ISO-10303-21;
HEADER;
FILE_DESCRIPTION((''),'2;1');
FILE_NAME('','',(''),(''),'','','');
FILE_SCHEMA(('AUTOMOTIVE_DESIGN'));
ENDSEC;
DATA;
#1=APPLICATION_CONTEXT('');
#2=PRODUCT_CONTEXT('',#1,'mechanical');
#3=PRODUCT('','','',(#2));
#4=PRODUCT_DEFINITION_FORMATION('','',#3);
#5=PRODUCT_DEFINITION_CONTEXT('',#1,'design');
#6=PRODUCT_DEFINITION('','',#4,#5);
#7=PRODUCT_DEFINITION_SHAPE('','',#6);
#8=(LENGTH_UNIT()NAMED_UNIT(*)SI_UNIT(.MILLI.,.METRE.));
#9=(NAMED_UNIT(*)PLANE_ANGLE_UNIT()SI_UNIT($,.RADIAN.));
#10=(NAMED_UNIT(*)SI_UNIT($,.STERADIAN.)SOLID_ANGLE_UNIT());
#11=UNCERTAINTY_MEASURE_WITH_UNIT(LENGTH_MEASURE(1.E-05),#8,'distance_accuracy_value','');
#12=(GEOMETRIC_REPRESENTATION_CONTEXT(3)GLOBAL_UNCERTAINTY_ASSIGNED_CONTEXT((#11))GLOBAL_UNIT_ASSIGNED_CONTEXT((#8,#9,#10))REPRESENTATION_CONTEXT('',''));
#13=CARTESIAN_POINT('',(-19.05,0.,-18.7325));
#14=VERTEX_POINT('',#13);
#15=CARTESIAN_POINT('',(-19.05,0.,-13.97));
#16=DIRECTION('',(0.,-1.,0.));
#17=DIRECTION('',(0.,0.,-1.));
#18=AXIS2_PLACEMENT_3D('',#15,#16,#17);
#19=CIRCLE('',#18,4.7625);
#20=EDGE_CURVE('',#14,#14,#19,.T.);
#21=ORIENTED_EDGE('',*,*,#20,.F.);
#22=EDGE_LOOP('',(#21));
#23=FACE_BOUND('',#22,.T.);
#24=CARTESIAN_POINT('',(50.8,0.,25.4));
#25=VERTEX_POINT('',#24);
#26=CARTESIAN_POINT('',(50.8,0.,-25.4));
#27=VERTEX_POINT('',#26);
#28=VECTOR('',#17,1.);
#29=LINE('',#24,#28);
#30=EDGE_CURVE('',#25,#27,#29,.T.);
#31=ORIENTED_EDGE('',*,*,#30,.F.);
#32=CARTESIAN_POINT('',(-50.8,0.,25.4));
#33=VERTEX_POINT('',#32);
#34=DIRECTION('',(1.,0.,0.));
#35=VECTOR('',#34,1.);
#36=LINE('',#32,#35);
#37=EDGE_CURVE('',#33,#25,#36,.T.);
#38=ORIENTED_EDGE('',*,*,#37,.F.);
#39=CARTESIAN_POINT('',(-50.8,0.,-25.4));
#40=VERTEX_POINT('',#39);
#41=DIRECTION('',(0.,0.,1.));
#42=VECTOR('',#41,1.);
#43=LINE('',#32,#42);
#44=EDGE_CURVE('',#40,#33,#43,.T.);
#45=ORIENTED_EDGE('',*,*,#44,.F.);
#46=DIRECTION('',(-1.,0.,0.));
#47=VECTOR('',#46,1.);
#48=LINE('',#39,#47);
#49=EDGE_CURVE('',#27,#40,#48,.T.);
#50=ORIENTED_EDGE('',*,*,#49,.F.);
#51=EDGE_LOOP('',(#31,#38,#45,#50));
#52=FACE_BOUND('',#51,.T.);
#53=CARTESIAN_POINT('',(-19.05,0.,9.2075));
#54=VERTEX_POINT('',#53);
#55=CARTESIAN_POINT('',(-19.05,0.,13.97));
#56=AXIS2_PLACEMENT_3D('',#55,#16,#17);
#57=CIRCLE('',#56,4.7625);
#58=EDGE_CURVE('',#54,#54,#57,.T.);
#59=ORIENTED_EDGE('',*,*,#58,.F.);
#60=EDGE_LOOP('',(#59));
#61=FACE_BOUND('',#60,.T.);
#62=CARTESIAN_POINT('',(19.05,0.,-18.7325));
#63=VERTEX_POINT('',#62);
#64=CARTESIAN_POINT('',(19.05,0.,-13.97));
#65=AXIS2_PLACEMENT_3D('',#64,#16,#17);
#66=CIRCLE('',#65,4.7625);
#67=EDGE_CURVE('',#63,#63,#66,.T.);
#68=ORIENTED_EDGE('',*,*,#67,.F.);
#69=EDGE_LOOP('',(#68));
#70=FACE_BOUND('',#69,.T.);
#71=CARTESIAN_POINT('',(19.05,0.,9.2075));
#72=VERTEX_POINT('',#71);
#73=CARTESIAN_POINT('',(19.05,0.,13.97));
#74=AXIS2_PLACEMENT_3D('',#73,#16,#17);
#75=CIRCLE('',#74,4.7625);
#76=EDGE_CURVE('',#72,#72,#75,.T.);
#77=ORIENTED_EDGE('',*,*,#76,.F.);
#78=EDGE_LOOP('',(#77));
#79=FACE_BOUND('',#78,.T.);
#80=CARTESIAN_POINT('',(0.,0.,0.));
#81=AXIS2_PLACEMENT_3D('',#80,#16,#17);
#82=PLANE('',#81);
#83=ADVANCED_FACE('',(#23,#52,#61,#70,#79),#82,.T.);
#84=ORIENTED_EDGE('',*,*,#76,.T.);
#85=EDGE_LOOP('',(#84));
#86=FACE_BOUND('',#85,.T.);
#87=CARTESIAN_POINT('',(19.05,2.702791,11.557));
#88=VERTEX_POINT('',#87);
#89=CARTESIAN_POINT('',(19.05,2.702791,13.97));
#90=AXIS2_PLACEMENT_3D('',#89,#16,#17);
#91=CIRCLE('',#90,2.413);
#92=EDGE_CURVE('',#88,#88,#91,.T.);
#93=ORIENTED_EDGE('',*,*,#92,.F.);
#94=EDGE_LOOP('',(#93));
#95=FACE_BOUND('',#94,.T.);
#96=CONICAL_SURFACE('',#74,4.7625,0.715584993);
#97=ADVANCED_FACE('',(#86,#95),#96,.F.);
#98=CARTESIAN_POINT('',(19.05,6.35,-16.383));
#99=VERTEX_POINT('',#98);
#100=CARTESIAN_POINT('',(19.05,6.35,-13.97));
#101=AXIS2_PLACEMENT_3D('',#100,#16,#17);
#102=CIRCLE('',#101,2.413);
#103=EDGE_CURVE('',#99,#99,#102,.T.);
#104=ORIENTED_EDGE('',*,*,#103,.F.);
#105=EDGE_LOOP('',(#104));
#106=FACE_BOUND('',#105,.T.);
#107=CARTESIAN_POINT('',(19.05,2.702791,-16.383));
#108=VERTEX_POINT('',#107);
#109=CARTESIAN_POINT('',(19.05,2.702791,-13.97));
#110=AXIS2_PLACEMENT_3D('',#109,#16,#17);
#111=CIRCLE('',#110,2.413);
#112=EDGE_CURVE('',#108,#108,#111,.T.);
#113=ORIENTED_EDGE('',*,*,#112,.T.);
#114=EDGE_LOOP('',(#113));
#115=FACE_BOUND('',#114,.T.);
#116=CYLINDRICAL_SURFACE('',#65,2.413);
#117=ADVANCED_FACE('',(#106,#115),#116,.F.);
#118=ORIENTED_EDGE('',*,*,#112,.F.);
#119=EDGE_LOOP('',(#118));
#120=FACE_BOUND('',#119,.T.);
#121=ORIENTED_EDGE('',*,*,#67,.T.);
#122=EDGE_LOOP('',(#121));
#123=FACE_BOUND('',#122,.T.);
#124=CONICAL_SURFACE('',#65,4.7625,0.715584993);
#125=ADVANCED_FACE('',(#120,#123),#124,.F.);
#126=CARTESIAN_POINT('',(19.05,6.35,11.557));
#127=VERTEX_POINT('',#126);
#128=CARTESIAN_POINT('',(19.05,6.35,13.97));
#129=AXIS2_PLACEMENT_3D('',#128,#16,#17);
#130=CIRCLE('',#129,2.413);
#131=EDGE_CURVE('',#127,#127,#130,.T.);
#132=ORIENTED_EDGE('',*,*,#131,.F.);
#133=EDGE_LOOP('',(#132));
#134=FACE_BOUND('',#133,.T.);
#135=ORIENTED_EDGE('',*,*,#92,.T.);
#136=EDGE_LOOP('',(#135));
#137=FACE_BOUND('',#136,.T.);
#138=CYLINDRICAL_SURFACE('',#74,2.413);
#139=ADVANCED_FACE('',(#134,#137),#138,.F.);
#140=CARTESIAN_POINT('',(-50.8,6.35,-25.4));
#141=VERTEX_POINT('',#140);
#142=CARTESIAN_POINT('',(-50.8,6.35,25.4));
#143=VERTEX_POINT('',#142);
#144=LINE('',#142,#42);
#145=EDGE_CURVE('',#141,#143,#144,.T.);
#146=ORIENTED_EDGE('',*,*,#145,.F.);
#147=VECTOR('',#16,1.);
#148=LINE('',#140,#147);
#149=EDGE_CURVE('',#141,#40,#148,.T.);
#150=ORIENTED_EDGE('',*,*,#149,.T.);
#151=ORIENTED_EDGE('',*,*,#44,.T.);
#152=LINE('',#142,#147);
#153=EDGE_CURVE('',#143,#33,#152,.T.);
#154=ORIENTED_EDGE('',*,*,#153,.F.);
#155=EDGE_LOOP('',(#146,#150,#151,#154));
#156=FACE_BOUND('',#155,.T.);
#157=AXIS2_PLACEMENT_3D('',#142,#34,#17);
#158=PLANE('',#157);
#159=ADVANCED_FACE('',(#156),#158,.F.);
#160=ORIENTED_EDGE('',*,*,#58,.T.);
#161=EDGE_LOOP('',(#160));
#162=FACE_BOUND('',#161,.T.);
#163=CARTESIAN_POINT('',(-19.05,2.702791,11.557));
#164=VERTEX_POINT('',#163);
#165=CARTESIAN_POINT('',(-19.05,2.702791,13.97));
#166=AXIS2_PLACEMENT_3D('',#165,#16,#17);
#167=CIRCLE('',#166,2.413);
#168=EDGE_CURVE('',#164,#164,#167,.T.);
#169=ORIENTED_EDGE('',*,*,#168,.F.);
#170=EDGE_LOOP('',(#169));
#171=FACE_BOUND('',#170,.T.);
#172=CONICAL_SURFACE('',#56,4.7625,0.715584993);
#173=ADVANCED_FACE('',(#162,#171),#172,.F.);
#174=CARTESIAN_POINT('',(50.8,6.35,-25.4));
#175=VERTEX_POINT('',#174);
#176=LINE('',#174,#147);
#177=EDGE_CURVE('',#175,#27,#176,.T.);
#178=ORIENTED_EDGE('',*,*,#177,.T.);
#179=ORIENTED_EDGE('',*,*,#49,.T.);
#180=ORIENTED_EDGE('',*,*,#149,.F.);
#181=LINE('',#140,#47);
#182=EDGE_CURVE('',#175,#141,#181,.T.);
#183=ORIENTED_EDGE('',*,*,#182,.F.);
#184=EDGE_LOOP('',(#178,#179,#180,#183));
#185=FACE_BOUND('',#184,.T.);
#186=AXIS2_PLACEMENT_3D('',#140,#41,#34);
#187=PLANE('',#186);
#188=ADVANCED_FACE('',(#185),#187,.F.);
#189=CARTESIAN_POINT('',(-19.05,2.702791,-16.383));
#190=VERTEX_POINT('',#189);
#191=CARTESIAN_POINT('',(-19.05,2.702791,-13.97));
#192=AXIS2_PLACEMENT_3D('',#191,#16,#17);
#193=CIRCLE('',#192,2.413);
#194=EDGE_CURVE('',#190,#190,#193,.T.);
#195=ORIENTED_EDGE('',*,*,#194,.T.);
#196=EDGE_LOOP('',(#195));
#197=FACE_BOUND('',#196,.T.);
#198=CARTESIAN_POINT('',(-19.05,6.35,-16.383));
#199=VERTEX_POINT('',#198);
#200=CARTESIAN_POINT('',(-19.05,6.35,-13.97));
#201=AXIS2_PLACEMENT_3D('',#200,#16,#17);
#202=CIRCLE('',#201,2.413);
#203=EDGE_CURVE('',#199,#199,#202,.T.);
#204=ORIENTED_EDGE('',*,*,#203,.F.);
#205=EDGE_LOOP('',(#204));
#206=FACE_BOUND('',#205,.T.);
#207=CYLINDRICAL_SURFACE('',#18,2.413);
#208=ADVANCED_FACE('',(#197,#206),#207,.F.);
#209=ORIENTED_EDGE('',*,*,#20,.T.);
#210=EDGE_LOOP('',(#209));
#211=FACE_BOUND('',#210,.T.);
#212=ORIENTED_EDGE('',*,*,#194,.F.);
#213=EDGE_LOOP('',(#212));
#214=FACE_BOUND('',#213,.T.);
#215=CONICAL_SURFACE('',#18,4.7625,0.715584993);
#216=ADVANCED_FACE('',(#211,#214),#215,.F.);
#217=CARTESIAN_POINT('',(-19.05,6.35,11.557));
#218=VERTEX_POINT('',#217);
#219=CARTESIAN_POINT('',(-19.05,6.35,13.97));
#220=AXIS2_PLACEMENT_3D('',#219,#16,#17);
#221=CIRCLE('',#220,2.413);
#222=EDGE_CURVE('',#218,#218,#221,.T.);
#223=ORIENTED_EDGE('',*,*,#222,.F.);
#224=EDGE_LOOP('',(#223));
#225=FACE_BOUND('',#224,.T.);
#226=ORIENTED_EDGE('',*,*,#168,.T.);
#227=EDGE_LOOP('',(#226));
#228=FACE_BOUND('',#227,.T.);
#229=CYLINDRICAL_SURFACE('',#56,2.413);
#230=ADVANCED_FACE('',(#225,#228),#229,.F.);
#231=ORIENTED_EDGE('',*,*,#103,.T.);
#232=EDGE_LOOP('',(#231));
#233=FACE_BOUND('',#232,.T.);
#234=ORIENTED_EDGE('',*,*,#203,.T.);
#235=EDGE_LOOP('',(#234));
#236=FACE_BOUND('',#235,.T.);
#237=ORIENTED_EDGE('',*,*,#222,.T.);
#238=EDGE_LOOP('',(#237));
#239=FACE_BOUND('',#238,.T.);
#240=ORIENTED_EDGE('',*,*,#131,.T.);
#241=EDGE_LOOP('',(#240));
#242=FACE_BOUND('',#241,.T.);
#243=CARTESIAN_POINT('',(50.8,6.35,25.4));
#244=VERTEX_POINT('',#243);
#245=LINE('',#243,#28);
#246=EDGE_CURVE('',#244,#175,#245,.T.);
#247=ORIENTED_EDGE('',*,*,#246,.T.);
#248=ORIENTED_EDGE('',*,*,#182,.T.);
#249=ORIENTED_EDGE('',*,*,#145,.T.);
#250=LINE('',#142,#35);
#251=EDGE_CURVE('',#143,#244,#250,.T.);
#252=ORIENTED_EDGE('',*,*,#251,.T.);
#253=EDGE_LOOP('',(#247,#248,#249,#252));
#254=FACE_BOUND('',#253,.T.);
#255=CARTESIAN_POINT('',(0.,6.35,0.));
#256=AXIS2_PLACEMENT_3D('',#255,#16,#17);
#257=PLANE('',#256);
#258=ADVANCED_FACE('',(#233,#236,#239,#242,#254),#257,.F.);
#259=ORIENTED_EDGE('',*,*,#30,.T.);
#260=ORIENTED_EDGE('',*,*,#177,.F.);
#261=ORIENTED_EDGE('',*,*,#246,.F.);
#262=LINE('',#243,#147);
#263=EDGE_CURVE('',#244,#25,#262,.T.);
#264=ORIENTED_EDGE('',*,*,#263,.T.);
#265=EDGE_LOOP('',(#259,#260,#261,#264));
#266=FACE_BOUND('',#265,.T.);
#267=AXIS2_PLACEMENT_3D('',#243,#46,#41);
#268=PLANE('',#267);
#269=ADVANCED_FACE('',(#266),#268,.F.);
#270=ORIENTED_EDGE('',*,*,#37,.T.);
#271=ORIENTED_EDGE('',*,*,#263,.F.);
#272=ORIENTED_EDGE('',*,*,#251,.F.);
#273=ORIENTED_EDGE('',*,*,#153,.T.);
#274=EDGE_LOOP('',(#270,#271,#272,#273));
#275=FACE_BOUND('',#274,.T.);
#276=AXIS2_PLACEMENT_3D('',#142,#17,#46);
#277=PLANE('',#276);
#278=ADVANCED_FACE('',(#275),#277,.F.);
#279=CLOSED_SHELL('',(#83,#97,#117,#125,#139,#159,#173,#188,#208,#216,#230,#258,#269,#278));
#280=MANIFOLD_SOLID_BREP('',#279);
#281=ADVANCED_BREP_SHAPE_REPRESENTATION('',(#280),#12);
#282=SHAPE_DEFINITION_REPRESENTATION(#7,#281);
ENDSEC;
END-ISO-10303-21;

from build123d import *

# Parameters (mm, degrees)
SKETCH1_W                                       = 101.6
SKETCH1_H                                       = 50.8
BOSS_EXTRUDE1_DEPTH                             = 6.35
CSK_FOR_10_FLAT_HEAD_MACHINE_SCREW1_D           = 4.826
CSK_FOR_10_FLAT_HEAD_MACHINE_SCREW1_CSINK_D     = 9.525
CSK_FOR_10_FLAT_HEAD_MACHINE_SCREW1_CSINK_ANGLE = 82


with BuildPart() as part:
    # Sketch1 → Boss-Extrude1 (new body)
    with BuildSketch(Plane(origin=(0, 0, 0), x_dir=(1, 0, 0), z_dir=(0, 1, 0))):
        Rectangle(SKETCH1_W, SKETCH1_H)
    extrude(amount=BOSS_EXTRUDE1_DEPTH)

    # CSK for #10 Flat Head Machine Screw1 (through all)
    with Locations(Plane(origin=(0, 0, 0), x_dir=(-1, 0, 0), z_dir=(0, -1, 0))):
        with Locations((19.05, -13.97), (-19.05, -13.97), (-19.05, 13.97), (19.05, 13.97)):
            CounterSinkHole(CSK_FOR_10_FLAT_HEAD_MACHINE_SCREW1_D / 2, CSK_FOR_10_FLAT_HEAD_MACHINE_SCREW1_CSINK_D / 2, counter_sink_angle=CSK_FOR_10_FLAT_HEAD_MACHINE_SCREW1_CSINK_ANGLE)


solid = part.part
